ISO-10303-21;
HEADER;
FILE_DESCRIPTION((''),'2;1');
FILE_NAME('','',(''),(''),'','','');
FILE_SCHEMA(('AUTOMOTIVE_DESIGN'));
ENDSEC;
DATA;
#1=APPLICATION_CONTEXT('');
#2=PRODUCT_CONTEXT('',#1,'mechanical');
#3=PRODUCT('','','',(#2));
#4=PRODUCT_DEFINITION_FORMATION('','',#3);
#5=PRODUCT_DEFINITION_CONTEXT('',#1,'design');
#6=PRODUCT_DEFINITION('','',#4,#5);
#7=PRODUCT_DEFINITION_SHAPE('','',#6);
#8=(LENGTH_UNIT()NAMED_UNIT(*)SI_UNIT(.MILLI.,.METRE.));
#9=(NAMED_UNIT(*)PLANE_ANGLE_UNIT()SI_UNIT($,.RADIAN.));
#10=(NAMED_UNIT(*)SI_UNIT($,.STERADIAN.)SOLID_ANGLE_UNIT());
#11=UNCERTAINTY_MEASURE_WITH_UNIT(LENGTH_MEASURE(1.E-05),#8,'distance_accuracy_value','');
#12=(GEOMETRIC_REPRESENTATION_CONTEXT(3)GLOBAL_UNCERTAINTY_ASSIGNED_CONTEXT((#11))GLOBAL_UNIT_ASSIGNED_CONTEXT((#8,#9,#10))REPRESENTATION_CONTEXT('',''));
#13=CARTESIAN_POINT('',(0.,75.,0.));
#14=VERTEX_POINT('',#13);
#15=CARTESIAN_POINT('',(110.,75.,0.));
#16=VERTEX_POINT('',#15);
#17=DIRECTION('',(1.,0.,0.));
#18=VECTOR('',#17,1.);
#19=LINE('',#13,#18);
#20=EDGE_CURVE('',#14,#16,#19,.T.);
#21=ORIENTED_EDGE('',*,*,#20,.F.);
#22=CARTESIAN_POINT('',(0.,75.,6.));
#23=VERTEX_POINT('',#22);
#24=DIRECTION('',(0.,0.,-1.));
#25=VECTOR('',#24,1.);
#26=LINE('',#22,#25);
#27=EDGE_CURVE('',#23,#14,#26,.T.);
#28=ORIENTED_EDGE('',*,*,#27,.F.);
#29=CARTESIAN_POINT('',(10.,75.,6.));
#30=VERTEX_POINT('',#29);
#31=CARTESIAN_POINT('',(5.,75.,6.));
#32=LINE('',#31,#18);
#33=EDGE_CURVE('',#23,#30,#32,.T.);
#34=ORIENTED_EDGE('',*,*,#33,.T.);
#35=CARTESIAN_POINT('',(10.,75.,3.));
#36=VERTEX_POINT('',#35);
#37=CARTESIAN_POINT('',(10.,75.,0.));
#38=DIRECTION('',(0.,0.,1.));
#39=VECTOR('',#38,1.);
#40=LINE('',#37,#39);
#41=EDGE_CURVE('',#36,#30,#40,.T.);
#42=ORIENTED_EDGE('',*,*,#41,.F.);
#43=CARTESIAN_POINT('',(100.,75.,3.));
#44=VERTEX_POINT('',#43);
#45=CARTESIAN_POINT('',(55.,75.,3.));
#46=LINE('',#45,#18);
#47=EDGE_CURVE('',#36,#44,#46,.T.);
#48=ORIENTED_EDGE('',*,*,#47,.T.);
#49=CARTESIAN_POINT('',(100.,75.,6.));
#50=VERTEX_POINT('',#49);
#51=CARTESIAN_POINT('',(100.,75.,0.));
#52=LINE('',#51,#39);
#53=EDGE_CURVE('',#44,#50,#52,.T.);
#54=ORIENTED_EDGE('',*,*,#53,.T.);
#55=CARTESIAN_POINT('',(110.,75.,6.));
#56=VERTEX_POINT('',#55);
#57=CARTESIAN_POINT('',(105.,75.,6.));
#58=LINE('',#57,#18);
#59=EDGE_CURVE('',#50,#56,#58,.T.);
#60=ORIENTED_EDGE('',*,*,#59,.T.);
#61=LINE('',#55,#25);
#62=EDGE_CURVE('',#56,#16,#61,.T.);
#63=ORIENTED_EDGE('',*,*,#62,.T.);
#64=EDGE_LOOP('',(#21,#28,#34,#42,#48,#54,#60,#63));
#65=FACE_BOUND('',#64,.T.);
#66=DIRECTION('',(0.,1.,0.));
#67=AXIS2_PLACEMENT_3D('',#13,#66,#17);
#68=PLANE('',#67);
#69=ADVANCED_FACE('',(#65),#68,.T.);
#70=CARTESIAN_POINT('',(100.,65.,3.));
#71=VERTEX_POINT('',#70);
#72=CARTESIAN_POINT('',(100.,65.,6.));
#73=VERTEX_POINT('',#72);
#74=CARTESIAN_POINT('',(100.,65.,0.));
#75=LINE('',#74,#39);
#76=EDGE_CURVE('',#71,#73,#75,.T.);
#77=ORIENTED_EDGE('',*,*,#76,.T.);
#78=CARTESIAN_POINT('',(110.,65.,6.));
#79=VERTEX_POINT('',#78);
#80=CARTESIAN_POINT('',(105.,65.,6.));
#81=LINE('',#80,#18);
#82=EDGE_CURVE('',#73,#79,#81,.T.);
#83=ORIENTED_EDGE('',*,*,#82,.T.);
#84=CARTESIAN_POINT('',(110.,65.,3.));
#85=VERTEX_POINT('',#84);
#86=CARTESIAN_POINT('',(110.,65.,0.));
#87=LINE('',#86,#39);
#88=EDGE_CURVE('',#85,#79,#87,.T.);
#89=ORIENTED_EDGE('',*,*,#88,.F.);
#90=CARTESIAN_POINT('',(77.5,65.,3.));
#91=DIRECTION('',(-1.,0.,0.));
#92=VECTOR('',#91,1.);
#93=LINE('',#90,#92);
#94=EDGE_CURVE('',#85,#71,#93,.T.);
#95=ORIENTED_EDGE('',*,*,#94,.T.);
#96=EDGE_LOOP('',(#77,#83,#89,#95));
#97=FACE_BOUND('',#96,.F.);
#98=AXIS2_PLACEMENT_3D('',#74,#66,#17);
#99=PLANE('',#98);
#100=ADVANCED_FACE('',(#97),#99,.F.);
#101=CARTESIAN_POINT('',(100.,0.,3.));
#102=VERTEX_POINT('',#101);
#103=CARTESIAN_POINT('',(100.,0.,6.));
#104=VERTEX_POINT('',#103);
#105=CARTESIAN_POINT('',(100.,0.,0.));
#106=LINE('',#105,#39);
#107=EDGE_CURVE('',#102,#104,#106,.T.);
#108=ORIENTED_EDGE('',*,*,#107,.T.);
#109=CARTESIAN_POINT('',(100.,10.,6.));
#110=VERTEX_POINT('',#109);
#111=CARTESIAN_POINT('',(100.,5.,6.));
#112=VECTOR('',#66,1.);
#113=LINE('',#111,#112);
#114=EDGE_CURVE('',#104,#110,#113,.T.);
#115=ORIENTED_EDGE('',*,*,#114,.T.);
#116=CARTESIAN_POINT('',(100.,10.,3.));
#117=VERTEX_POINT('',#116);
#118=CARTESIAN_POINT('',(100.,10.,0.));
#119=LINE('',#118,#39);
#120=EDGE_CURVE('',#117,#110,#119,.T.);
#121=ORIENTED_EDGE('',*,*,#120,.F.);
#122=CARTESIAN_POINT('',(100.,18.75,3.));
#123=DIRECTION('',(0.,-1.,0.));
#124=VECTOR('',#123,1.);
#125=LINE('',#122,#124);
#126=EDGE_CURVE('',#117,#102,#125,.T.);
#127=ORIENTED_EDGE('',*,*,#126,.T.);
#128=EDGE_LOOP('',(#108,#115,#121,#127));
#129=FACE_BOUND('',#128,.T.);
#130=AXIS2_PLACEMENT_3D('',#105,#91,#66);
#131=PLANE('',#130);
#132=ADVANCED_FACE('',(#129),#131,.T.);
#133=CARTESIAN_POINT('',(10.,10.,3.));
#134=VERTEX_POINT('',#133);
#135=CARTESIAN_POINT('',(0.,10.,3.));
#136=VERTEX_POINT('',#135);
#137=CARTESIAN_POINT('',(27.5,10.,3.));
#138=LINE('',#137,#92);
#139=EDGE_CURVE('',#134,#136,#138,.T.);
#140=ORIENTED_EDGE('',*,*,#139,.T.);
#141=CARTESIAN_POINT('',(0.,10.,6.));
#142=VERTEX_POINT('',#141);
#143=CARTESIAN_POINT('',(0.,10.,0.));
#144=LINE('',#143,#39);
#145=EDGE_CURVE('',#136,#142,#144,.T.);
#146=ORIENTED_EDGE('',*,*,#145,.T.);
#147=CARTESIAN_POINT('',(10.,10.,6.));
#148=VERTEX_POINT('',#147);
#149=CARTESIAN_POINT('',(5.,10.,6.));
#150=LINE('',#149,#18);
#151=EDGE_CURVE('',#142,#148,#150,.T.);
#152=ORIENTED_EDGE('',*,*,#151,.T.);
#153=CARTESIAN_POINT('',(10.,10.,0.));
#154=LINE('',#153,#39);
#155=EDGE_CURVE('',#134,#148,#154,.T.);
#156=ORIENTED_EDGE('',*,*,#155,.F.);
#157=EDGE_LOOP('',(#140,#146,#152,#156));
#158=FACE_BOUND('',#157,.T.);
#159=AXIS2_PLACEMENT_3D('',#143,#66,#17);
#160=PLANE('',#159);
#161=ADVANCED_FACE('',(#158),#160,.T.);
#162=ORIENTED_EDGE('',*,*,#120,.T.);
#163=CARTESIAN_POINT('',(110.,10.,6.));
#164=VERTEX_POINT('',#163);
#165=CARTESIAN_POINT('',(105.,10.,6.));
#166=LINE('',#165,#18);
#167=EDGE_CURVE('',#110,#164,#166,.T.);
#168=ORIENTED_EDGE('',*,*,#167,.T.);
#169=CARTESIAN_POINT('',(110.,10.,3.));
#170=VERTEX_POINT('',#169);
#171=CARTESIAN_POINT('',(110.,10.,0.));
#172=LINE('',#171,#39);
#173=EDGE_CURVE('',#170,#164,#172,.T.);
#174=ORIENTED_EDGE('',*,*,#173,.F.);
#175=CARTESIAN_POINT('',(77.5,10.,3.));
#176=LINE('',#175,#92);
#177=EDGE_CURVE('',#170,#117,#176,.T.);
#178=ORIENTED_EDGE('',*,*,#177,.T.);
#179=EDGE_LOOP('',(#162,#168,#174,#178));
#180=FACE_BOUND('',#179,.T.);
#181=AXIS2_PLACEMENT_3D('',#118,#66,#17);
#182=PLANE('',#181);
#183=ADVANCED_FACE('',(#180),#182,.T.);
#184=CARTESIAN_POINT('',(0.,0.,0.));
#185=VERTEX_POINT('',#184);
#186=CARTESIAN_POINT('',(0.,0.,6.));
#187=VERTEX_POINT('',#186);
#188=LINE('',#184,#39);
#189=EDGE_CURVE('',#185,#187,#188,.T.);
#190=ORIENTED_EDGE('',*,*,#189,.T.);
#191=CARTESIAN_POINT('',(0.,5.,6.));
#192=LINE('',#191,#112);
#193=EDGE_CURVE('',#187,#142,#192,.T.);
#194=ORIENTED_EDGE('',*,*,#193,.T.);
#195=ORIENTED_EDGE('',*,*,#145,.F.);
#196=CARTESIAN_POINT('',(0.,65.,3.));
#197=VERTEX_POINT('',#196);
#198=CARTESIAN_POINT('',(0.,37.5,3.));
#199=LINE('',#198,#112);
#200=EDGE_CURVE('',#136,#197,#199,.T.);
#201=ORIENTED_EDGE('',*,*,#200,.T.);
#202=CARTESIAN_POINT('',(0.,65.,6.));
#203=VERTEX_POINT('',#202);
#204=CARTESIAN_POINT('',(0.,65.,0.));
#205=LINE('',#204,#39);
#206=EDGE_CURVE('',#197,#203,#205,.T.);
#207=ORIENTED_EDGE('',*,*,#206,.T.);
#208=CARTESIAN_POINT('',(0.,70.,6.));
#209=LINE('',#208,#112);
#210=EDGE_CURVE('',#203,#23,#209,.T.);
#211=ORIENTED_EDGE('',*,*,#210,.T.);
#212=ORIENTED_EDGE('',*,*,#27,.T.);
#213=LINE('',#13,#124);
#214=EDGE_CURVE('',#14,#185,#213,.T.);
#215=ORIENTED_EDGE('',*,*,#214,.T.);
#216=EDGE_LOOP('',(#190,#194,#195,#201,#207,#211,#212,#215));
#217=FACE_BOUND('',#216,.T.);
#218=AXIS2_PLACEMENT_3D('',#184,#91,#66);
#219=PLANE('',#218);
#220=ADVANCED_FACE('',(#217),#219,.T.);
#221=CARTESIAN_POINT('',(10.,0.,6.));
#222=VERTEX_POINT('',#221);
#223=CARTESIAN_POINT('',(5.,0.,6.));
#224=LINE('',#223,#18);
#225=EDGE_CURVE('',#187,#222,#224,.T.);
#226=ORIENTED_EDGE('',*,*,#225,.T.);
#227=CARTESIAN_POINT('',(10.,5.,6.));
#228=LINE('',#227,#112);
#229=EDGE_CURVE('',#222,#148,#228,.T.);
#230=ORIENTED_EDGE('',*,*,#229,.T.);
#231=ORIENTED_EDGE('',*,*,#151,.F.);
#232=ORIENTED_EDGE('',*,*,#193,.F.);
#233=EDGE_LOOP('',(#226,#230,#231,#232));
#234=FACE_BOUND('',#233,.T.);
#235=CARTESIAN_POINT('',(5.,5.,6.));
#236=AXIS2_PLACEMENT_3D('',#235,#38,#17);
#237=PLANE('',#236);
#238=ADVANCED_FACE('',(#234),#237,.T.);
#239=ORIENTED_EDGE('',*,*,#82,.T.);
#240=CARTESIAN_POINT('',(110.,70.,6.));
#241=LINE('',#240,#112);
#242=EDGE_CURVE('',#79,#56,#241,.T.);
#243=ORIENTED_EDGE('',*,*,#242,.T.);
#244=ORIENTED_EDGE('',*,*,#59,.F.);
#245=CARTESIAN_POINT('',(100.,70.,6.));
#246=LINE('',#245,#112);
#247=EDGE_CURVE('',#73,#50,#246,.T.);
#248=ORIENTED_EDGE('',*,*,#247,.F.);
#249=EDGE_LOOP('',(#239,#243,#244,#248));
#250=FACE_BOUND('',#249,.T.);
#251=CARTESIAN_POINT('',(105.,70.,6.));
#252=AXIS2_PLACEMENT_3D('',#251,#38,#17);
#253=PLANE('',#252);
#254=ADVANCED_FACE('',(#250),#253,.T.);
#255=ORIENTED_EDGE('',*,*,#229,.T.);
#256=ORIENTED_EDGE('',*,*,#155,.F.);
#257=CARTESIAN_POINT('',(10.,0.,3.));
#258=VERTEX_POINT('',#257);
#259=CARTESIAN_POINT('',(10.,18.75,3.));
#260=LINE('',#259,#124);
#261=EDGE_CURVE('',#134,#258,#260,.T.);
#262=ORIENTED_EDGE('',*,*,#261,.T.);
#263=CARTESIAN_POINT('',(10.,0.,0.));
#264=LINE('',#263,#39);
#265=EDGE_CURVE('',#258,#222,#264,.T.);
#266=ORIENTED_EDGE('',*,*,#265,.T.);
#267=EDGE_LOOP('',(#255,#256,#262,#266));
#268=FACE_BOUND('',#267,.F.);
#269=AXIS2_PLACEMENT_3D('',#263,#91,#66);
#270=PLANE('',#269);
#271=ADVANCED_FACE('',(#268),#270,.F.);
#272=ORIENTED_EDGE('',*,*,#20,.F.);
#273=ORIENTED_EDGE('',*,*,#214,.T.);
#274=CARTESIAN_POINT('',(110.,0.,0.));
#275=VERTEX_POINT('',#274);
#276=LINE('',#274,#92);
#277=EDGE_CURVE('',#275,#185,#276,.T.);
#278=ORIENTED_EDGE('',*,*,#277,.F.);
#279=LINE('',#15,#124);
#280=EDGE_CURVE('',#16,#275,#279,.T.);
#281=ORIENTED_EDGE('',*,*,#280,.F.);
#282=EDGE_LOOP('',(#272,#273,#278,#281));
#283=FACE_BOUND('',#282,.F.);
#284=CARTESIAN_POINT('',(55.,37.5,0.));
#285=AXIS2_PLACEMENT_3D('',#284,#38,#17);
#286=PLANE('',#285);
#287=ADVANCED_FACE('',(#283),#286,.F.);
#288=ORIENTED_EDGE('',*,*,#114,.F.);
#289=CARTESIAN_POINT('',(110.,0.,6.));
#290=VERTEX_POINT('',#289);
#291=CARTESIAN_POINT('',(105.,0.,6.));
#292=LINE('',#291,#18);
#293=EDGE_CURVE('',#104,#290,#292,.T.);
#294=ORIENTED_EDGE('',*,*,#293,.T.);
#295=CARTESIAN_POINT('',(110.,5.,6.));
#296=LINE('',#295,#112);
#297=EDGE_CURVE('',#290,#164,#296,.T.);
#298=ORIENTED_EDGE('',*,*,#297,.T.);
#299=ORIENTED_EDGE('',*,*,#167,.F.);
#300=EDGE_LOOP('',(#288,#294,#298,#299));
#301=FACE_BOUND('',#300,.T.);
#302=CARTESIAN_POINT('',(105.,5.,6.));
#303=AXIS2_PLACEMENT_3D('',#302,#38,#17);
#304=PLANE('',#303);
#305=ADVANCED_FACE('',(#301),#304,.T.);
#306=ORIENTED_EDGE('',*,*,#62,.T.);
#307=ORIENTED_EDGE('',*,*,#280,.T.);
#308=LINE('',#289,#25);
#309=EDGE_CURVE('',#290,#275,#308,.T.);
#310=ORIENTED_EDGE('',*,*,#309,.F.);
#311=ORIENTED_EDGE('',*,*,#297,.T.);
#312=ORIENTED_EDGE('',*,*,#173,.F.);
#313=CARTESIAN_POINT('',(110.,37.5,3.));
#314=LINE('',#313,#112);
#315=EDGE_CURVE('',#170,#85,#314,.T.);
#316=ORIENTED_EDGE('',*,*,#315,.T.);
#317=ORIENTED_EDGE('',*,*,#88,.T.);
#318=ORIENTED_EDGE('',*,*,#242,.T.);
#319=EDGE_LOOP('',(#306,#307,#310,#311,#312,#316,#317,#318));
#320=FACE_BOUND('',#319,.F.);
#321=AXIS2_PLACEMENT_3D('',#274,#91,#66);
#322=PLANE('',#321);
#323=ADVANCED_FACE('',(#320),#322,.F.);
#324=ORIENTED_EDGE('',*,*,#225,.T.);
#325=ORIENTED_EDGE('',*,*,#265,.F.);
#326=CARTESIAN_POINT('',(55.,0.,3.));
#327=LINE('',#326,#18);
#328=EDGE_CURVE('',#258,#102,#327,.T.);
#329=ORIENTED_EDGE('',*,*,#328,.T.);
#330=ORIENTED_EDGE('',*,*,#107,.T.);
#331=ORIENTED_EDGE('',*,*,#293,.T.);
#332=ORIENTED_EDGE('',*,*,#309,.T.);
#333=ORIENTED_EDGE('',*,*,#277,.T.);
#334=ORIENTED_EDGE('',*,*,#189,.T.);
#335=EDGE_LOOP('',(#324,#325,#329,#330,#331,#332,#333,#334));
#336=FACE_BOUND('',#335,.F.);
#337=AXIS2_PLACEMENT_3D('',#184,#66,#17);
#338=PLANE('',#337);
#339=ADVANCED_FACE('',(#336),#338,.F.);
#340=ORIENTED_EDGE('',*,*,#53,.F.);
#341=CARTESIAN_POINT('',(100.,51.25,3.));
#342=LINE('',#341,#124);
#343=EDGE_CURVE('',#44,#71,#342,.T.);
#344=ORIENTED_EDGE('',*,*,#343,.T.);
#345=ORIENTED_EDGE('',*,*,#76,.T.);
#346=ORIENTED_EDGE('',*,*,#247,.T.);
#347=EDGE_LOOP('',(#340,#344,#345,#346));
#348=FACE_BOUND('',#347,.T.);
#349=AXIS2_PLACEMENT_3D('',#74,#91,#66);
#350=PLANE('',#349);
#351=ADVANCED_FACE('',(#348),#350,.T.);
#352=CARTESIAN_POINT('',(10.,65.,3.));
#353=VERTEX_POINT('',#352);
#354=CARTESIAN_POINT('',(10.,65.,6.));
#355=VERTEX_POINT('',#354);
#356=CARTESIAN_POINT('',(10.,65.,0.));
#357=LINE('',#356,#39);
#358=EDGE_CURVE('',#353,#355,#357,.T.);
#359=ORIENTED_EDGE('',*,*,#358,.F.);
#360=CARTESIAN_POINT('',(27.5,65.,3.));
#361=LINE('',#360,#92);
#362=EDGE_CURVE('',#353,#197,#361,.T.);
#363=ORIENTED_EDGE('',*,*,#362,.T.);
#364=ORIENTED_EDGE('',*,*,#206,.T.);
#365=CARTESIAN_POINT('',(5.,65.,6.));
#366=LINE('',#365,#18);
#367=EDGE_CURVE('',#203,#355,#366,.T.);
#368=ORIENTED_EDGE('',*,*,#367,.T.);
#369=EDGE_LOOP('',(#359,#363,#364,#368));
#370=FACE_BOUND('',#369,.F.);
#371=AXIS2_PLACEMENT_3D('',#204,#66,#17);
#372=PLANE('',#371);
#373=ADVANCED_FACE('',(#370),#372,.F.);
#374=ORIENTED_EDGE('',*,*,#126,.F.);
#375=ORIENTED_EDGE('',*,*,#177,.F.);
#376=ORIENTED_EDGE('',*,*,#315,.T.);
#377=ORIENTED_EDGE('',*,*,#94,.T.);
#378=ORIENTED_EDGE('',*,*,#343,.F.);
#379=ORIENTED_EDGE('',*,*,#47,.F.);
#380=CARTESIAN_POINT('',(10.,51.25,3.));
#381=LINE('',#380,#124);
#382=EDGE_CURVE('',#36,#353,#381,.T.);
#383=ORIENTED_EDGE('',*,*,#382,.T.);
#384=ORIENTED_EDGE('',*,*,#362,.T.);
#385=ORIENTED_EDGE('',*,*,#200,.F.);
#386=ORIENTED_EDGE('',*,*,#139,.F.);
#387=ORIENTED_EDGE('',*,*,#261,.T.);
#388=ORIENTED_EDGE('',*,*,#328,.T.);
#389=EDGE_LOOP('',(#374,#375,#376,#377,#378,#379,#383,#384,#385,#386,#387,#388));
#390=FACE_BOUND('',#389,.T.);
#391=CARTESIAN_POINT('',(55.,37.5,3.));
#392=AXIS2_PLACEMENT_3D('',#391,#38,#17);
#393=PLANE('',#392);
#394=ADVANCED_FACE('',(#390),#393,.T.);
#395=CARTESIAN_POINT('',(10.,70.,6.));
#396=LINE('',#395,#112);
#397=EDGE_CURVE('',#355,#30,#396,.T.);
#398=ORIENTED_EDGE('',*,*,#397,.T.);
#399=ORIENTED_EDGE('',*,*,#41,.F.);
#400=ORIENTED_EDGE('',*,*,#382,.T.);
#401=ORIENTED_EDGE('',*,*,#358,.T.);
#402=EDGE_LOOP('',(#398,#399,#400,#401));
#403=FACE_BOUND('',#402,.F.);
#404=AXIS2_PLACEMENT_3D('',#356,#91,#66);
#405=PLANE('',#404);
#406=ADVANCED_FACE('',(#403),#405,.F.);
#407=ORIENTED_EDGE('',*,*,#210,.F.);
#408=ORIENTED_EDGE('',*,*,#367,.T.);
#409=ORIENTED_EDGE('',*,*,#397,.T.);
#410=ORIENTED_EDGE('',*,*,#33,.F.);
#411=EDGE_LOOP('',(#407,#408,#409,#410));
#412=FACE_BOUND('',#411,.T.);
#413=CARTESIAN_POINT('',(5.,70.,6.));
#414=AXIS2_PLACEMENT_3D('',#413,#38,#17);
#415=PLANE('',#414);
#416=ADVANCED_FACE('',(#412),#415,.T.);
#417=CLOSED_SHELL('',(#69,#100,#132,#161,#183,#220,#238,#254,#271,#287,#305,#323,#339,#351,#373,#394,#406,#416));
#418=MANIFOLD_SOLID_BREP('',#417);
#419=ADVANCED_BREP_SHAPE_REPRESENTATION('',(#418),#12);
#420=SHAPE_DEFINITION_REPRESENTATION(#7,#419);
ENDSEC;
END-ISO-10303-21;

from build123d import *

# Parameters (mm, degrees)
BOX001_W     = 10
BOX001_H     = 10
BOX001_DEPTH = 6
BOX002_W     = 10
BOX002_H     = 10
BOX002_DEPTH = 6
BOX003_W     = 110
BOX003_H     = 75
BOX003_DEPTH = 3
BOX004_W     = 10
BOX004_H     = 10
BOX004_DEPTH = 6
BOX005_W     = 10
BOX005_H     = 10
BOX005_DEPTH = 6
BOX_W        = 110
BOX_H        = 75
BOX_DEPTH    = 3


with BuildPart() as cube001:
    # Box001 → Box001 (new body)
    with BuildSketch(Plane.XY):
        with Locations((5, 5)):
            Rectangle(BOX001_W, BOX001_H)
    extrude(amount=BOX001_DEPTH)


with BuildPart() as cube002:
    # Box002 → Box002 (new body)
    with BuildSketch(Plane(origin=(0, 65, 0), x_dir=(1, 0, 0), z_dir=(0, 0, 1))):
        with Locations((5, 5)):
            Rectangle(BOX002_W, BOX002_H)
    extrude(amount=BOX002_DEPTH)


with BuildPart() as cube003:
    # Box003 → Box003 (new body)
    with BuildSketch(Plane.XY):
        with Locations((55, 37.5)):
            Rectangle(BOX003_W, BOX003_H)
    extrude(amount=BOX003_DEPTH)


with BuildPart() as cube004:
    # Box004 → Box004 (new body)
    with BuildSketch(Plane(origin=(100, 65, 0), x_dir=(1, 0, 0), z_dir=(0, 0, 1))):
        with Locations((5, 5)):
            Rectangle(BOX004_W, BOX004_H)
    extrude(amount=BOX004_DEPTH)


with BuildPart() as cube005:
    # Box005 → Box005 (new body)
    with BuildSketch(Plane(origin=(100, 0, 0), x_dir=(1, 0, 0), z_dir=(0, 0, 1))):
        with Locations((5, 5)):
            Rectangle(BOX005_W, BOX005_H)
    extrude(amount=BOX005_DEPTH)


with BuildPart() as fusion:
    # Box → Box (new body)
    with BuildSketch(Plane.XY):
        with Locations((55, 37.5)):
            Rectangle(BOX_W, BOX_H)
    extrude(amount=BOX_DEPTH)

    # Fusion: union Cube001, Cube002, Cube003, Cube004, Cube005
    add(cube001.part)
    add(cube002.part)
    add(cube003.part)
    add(cube004.part)
    add(cube005.part)


solid = fusion.part
